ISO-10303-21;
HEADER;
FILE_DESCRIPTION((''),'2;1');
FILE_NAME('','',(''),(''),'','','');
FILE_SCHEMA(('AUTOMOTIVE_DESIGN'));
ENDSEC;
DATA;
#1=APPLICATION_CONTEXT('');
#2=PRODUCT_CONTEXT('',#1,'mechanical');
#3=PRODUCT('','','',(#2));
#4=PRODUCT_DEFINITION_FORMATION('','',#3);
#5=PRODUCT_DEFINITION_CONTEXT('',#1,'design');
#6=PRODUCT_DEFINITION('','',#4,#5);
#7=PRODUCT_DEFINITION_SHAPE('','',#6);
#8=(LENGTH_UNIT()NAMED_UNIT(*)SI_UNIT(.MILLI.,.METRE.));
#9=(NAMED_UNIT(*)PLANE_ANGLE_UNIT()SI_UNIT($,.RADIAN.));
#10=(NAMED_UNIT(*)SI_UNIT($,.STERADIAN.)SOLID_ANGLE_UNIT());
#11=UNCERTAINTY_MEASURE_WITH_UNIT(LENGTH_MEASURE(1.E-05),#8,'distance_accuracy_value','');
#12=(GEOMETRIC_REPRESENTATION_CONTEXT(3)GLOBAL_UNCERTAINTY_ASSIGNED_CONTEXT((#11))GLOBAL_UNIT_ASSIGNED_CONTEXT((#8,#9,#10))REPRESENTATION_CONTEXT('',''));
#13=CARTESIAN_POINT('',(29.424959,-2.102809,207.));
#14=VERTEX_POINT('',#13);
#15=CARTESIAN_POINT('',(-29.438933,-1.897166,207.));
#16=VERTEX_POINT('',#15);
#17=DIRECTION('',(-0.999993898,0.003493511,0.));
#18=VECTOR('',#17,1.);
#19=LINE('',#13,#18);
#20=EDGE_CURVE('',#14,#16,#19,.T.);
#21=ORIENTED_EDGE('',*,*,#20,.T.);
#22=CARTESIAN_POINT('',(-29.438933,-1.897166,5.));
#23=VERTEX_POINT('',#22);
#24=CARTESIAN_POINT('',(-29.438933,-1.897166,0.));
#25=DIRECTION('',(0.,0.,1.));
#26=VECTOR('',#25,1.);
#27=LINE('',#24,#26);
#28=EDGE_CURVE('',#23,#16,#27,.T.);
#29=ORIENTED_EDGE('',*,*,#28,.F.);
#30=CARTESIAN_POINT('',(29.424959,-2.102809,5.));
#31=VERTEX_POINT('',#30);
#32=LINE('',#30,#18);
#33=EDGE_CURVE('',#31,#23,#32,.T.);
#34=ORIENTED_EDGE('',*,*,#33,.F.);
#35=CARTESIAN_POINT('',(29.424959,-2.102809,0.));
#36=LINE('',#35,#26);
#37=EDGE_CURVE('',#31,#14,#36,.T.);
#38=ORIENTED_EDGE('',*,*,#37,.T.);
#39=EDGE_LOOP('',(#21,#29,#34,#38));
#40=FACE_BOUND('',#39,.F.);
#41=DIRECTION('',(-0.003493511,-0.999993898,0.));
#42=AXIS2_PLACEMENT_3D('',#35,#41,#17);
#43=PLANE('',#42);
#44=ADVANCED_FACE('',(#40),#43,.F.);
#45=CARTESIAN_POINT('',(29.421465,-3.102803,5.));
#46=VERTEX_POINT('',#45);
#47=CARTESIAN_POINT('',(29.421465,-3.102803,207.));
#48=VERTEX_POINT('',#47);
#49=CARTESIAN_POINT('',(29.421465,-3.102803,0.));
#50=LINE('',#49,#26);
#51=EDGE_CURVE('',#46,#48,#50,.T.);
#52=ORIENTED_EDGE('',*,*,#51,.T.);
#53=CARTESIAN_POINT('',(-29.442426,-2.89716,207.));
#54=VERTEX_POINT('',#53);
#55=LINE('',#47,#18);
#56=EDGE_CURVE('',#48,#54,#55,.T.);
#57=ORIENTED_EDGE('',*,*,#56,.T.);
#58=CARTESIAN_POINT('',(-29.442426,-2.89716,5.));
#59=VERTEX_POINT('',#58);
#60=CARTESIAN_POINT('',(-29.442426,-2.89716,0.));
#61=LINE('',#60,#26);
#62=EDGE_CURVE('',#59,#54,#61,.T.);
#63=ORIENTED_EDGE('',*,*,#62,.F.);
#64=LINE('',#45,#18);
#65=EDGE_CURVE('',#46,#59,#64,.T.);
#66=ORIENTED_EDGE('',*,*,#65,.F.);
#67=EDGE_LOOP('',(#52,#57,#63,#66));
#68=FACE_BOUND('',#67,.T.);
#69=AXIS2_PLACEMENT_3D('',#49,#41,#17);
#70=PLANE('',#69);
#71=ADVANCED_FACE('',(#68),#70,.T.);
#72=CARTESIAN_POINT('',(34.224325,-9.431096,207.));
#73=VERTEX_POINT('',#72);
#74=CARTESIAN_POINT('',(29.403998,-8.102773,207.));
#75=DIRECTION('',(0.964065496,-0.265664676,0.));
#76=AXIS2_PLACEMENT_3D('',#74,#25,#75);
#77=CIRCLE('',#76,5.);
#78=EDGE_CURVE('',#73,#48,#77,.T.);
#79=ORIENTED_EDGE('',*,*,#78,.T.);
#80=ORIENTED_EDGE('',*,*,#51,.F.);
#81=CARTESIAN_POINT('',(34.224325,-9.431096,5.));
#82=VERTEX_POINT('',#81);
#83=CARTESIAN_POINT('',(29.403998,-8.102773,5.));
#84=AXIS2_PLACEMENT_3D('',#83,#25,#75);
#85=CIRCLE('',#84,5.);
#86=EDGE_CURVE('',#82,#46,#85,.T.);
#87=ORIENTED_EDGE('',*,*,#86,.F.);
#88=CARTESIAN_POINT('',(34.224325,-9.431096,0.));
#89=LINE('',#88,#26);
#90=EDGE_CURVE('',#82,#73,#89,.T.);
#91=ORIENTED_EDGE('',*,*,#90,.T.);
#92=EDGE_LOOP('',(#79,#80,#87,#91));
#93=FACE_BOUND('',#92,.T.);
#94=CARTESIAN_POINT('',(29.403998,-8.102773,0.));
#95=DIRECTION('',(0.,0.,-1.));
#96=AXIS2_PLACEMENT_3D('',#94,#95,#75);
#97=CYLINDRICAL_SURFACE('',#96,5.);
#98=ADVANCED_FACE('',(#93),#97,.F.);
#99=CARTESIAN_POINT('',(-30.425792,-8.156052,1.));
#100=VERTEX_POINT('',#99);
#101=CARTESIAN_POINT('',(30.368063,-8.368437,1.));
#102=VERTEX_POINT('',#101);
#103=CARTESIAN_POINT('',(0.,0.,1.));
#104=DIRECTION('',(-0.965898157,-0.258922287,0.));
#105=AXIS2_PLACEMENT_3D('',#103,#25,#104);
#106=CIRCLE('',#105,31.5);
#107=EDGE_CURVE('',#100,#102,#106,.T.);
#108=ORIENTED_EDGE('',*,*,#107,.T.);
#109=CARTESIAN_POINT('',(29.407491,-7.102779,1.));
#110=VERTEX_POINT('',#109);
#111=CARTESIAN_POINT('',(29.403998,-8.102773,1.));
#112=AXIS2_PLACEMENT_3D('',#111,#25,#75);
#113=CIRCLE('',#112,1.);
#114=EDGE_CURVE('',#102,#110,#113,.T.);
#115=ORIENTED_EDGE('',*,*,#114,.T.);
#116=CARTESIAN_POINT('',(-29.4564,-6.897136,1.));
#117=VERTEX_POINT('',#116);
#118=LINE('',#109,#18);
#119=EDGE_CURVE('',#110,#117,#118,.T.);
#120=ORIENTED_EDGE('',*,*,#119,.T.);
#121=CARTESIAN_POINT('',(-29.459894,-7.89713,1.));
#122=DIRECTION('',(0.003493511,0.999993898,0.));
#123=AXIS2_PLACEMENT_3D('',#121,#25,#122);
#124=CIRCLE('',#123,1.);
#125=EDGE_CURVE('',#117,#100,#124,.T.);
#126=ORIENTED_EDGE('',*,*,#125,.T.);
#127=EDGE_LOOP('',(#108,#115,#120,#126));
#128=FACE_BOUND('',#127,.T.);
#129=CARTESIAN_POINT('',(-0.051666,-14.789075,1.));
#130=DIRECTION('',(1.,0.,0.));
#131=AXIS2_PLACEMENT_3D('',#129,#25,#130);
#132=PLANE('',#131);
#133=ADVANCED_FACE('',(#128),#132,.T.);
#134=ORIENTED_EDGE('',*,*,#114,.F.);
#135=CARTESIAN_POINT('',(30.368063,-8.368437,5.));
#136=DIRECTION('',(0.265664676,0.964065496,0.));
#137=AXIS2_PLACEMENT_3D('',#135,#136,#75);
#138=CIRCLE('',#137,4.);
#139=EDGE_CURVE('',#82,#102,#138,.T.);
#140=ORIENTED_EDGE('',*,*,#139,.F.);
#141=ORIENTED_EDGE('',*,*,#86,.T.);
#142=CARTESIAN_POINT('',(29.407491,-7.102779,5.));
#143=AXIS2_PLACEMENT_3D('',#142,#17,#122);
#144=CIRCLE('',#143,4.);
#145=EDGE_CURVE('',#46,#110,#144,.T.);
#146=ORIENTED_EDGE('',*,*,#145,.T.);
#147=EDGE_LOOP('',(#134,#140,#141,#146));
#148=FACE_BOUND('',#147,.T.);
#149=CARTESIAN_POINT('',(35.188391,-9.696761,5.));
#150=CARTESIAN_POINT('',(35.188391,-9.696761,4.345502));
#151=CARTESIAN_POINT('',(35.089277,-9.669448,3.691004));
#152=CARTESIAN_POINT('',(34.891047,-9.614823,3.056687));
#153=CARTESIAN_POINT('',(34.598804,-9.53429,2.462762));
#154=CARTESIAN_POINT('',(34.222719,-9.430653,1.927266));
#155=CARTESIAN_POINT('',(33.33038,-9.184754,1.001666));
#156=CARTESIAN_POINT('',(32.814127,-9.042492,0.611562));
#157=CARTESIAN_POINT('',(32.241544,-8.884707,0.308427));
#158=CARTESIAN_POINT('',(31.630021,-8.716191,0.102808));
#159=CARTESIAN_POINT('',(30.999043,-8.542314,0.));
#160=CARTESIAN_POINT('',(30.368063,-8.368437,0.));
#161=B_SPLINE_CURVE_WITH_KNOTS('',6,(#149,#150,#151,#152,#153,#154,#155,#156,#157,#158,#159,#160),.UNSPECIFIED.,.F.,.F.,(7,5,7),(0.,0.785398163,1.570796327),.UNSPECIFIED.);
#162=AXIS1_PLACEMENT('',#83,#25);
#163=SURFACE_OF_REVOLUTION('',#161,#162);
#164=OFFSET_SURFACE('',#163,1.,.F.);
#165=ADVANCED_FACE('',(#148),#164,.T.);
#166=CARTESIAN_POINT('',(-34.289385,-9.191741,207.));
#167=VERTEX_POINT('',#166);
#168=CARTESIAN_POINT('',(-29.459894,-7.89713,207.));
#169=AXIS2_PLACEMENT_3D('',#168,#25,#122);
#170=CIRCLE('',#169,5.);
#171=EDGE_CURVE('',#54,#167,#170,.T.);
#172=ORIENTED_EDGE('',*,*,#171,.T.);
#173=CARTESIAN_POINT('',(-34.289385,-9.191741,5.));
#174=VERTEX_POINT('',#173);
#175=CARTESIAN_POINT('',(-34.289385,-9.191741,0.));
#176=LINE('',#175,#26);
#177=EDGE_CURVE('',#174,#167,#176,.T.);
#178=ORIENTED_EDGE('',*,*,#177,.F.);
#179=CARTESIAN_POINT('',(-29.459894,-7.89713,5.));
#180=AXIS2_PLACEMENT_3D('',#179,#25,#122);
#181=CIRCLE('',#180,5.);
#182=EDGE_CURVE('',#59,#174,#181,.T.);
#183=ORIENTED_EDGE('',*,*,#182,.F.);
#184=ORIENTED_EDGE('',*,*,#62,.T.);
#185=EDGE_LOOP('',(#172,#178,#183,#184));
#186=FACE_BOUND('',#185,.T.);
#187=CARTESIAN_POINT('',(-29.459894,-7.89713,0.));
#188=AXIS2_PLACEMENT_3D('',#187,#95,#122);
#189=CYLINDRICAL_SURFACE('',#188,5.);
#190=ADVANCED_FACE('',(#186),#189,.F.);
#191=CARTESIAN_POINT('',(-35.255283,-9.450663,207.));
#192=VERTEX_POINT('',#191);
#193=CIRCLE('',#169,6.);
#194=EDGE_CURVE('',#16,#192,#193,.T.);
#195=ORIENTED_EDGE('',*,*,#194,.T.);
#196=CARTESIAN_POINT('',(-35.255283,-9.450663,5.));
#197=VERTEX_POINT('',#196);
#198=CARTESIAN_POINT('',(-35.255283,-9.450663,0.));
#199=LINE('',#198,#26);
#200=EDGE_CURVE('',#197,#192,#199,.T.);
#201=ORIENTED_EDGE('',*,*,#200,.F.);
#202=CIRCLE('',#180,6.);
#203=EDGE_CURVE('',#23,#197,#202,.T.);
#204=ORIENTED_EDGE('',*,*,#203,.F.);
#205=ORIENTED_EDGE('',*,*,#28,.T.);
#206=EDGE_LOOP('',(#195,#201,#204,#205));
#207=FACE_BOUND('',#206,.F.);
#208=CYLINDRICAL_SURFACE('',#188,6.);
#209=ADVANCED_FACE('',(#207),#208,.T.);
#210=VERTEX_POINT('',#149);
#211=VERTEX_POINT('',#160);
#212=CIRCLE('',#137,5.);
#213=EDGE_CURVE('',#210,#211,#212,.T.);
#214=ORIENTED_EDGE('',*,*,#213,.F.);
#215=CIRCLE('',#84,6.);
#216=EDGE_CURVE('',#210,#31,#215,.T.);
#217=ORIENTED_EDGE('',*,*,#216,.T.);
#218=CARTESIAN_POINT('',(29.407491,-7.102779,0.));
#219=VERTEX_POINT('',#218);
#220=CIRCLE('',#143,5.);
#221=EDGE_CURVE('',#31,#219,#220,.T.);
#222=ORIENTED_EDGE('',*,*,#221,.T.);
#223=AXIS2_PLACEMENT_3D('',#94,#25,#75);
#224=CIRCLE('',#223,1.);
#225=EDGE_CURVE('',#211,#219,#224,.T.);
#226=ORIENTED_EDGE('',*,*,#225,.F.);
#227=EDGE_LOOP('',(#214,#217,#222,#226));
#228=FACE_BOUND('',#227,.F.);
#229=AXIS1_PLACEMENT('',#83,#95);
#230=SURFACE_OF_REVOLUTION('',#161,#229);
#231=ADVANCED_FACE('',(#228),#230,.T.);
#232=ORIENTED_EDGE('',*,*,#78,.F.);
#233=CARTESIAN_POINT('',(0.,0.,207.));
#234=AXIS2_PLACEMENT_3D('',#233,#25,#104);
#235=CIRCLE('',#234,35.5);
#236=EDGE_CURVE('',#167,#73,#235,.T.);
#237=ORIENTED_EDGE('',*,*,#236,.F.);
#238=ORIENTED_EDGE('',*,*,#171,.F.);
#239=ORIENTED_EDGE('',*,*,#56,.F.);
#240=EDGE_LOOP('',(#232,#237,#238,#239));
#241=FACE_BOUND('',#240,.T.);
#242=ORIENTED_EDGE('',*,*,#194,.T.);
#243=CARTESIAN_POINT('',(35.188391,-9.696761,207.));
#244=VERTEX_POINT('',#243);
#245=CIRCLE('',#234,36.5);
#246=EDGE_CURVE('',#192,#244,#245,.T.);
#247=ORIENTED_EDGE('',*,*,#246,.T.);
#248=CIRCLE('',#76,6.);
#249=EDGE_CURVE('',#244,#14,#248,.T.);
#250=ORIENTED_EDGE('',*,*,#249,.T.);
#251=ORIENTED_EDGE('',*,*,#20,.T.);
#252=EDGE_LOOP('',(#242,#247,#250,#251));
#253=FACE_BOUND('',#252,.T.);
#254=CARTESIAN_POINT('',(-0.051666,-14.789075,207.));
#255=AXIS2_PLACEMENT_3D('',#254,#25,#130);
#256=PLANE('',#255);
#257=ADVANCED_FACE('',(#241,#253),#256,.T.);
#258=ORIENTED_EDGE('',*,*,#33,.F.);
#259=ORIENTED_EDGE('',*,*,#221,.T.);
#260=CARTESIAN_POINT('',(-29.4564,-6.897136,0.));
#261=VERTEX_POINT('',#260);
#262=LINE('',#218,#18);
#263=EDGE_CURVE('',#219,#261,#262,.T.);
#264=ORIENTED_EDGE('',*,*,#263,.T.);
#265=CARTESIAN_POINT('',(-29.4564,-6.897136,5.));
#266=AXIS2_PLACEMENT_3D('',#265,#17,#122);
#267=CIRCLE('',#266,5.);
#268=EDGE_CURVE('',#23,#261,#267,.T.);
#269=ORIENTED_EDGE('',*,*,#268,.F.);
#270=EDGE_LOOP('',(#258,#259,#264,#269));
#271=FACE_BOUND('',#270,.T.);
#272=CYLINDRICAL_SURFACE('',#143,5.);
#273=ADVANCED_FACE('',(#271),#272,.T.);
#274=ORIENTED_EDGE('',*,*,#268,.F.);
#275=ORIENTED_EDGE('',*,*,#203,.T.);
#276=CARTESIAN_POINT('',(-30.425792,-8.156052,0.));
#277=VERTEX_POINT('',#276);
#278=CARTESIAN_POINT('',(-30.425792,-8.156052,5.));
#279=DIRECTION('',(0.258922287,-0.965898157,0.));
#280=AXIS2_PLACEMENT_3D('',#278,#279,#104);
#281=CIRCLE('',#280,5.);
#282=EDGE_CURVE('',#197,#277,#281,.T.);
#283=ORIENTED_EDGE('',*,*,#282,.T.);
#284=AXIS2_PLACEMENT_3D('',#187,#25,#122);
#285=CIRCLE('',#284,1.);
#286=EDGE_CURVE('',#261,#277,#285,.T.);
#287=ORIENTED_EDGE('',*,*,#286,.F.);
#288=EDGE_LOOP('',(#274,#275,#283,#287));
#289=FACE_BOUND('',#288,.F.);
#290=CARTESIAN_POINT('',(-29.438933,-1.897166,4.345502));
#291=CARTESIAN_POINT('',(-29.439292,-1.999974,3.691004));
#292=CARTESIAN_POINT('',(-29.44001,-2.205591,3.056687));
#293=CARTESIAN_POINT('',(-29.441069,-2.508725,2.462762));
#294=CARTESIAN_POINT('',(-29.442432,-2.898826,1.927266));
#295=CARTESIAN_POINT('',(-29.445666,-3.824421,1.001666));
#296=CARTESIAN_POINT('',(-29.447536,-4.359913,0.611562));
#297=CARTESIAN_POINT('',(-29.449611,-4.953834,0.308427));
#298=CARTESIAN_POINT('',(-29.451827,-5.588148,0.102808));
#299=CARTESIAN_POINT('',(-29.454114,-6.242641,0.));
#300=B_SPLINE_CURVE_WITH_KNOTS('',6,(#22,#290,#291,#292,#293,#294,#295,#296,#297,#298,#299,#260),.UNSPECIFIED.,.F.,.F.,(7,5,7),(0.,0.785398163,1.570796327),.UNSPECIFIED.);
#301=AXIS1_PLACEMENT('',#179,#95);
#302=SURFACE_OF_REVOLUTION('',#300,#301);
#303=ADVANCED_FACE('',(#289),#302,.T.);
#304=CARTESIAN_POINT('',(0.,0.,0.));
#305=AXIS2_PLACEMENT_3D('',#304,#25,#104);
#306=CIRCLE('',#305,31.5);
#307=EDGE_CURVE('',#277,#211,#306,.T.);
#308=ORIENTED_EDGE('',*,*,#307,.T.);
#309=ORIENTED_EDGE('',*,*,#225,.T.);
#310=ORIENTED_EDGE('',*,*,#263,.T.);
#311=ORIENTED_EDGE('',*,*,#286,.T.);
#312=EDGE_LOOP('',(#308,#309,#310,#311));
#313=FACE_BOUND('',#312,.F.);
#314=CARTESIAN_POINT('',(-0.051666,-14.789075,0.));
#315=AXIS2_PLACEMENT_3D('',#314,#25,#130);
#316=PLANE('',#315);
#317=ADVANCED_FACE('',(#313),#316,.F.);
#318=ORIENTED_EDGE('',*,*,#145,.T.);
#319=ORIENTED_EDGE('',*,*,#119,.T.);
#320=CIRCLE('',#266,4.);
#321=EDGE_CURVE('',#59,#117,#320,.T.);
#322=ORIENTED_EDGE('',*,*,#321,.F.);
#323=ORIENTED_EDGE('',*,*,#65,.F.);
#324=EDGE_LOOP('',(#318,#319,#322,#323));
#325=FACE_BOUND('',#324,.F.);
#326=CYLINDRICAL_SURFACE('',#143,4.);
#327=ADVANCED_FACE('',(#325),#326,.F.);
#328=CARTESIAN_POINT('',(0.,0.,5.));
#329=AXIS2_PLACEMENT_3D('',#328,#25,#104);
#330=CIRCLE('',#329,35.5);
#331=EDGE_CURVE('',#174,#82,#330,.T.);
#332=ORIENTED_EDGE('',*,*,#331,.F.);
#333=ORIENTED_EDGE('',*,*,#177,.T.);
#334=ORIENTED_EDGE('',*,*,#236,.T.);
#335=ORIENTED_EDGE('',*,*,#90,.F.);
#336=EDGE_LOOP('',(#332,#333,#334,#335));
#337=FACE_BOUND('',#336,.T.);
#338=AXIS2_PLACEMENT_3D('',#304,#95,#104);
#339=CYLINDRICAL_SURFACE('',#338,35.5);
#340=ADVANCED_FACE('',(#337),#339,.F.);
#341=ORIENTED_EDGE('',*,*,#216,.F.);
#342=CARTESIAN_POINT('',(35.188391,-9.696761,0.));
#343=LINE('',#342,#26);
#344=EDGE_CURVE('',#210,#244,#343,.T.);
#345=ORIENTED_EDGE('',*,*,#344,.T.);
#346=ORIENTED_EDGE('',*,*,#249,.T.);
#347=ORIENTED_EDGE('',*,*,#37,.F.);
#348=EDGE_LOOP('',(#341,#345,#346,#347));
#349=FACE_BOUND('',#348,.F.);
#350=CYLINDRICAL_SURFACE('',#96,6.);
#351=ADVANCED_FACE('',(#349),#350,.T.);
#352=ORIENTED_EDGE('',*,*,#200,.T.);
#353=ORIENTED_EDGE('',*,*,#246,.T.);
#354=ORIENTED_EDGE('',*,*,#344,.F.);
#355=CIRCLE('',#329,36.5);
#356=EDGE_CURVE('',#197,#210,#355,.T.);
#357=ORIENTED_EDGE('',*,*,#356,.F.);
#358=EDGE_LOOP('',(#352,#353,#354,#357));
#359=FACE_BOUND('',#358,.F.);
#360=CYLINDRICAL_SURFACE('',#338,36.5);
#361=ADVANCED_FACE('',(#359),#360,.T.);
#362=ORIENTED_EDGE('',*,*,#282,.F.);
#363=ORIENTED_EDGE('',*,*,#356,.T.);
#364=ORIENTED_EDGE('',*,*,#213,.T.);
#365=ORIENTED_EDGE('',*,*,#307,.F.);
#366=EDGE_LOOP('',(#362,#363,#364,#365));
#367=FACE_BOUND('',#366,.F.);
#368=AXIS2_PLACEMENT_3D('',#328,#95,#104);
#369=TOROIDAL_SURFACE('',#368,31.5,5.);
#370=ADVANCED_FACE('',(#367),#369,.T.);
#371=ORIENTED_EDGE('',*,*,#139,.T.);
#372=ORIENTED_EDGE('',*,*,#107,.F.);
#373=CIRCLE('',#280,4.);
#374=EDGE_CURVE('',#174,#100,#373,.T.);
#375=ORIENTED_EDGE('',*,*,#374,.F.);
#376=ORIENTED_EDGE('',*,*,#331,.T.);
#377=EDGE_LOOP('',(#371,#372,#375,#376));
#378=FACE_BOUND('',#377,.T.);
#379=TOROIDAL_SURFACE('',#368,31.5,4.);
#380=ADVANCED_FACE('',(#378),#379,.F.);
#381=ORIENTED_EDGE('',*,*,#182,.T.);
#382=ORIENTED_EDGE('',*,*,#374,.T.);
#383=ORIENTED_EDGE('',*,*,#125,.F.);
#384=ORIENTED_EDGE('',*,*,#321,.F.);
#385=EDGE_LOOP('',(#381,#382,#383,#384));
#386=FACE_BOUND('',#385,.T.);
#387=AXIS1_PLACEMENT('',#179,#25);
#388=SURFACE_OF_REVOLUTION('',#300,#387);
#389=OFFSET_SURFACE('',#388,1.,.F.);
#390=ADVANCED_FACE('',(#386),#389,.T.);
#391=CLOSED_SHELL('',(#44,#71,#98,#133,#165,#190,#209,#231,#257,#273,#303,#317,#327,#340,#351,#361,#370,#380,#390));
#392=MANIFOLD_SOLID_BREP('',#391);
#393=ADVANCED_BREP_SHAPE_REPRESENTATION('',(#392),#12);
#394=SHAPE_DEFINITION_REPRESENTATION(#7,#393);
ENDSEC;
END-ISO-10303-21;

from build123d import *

# Parameters (mm, degrees)
F1_DEPTH = 207
F2_R     = 5
F3_T     = -1


with BuildPart() as f1:
    # F0 (on Top) → F1 (new body)
    with BuildSketch(Plane.XY):
        with BuildLine():
            ThreePointArc((-29.4389327221, -1.8971663562), (-34.2138220516, -4.2365060198), (-35.2552827265, -9.450663462))
            ThreePointArc((-35.2552827265, -9.450663462), (-0.1275131337, -36.4997772651), (35.1883905908, -9.696760677))
            ThreePointArc((35.1883905908, -9.696760677), (34.1833865425, -4.4754538451), (29.4249586801, -2.1028092345))
            Line((29.4249586801, -2.1028092345), (-29.4389327221, -1.8971663562))
        make_face()
    extrude(amount=F1_DEPTH)

    # F2
    f2_edges = [f1.edges().sort_by_distance(p)[0] for p in [
        (-0.127513, -36.499777, 0),
    ]]
    fillet(f2_edges, radius=F2_R)

    # F3
    f3_openings = [f1.faces().sort_by_distance(p)[0] for p in [
        (-0.058469, -16.736236, 207),
    ]]
    offset(amount=F3_T, openings=f3_openings)


solid = f1.part
